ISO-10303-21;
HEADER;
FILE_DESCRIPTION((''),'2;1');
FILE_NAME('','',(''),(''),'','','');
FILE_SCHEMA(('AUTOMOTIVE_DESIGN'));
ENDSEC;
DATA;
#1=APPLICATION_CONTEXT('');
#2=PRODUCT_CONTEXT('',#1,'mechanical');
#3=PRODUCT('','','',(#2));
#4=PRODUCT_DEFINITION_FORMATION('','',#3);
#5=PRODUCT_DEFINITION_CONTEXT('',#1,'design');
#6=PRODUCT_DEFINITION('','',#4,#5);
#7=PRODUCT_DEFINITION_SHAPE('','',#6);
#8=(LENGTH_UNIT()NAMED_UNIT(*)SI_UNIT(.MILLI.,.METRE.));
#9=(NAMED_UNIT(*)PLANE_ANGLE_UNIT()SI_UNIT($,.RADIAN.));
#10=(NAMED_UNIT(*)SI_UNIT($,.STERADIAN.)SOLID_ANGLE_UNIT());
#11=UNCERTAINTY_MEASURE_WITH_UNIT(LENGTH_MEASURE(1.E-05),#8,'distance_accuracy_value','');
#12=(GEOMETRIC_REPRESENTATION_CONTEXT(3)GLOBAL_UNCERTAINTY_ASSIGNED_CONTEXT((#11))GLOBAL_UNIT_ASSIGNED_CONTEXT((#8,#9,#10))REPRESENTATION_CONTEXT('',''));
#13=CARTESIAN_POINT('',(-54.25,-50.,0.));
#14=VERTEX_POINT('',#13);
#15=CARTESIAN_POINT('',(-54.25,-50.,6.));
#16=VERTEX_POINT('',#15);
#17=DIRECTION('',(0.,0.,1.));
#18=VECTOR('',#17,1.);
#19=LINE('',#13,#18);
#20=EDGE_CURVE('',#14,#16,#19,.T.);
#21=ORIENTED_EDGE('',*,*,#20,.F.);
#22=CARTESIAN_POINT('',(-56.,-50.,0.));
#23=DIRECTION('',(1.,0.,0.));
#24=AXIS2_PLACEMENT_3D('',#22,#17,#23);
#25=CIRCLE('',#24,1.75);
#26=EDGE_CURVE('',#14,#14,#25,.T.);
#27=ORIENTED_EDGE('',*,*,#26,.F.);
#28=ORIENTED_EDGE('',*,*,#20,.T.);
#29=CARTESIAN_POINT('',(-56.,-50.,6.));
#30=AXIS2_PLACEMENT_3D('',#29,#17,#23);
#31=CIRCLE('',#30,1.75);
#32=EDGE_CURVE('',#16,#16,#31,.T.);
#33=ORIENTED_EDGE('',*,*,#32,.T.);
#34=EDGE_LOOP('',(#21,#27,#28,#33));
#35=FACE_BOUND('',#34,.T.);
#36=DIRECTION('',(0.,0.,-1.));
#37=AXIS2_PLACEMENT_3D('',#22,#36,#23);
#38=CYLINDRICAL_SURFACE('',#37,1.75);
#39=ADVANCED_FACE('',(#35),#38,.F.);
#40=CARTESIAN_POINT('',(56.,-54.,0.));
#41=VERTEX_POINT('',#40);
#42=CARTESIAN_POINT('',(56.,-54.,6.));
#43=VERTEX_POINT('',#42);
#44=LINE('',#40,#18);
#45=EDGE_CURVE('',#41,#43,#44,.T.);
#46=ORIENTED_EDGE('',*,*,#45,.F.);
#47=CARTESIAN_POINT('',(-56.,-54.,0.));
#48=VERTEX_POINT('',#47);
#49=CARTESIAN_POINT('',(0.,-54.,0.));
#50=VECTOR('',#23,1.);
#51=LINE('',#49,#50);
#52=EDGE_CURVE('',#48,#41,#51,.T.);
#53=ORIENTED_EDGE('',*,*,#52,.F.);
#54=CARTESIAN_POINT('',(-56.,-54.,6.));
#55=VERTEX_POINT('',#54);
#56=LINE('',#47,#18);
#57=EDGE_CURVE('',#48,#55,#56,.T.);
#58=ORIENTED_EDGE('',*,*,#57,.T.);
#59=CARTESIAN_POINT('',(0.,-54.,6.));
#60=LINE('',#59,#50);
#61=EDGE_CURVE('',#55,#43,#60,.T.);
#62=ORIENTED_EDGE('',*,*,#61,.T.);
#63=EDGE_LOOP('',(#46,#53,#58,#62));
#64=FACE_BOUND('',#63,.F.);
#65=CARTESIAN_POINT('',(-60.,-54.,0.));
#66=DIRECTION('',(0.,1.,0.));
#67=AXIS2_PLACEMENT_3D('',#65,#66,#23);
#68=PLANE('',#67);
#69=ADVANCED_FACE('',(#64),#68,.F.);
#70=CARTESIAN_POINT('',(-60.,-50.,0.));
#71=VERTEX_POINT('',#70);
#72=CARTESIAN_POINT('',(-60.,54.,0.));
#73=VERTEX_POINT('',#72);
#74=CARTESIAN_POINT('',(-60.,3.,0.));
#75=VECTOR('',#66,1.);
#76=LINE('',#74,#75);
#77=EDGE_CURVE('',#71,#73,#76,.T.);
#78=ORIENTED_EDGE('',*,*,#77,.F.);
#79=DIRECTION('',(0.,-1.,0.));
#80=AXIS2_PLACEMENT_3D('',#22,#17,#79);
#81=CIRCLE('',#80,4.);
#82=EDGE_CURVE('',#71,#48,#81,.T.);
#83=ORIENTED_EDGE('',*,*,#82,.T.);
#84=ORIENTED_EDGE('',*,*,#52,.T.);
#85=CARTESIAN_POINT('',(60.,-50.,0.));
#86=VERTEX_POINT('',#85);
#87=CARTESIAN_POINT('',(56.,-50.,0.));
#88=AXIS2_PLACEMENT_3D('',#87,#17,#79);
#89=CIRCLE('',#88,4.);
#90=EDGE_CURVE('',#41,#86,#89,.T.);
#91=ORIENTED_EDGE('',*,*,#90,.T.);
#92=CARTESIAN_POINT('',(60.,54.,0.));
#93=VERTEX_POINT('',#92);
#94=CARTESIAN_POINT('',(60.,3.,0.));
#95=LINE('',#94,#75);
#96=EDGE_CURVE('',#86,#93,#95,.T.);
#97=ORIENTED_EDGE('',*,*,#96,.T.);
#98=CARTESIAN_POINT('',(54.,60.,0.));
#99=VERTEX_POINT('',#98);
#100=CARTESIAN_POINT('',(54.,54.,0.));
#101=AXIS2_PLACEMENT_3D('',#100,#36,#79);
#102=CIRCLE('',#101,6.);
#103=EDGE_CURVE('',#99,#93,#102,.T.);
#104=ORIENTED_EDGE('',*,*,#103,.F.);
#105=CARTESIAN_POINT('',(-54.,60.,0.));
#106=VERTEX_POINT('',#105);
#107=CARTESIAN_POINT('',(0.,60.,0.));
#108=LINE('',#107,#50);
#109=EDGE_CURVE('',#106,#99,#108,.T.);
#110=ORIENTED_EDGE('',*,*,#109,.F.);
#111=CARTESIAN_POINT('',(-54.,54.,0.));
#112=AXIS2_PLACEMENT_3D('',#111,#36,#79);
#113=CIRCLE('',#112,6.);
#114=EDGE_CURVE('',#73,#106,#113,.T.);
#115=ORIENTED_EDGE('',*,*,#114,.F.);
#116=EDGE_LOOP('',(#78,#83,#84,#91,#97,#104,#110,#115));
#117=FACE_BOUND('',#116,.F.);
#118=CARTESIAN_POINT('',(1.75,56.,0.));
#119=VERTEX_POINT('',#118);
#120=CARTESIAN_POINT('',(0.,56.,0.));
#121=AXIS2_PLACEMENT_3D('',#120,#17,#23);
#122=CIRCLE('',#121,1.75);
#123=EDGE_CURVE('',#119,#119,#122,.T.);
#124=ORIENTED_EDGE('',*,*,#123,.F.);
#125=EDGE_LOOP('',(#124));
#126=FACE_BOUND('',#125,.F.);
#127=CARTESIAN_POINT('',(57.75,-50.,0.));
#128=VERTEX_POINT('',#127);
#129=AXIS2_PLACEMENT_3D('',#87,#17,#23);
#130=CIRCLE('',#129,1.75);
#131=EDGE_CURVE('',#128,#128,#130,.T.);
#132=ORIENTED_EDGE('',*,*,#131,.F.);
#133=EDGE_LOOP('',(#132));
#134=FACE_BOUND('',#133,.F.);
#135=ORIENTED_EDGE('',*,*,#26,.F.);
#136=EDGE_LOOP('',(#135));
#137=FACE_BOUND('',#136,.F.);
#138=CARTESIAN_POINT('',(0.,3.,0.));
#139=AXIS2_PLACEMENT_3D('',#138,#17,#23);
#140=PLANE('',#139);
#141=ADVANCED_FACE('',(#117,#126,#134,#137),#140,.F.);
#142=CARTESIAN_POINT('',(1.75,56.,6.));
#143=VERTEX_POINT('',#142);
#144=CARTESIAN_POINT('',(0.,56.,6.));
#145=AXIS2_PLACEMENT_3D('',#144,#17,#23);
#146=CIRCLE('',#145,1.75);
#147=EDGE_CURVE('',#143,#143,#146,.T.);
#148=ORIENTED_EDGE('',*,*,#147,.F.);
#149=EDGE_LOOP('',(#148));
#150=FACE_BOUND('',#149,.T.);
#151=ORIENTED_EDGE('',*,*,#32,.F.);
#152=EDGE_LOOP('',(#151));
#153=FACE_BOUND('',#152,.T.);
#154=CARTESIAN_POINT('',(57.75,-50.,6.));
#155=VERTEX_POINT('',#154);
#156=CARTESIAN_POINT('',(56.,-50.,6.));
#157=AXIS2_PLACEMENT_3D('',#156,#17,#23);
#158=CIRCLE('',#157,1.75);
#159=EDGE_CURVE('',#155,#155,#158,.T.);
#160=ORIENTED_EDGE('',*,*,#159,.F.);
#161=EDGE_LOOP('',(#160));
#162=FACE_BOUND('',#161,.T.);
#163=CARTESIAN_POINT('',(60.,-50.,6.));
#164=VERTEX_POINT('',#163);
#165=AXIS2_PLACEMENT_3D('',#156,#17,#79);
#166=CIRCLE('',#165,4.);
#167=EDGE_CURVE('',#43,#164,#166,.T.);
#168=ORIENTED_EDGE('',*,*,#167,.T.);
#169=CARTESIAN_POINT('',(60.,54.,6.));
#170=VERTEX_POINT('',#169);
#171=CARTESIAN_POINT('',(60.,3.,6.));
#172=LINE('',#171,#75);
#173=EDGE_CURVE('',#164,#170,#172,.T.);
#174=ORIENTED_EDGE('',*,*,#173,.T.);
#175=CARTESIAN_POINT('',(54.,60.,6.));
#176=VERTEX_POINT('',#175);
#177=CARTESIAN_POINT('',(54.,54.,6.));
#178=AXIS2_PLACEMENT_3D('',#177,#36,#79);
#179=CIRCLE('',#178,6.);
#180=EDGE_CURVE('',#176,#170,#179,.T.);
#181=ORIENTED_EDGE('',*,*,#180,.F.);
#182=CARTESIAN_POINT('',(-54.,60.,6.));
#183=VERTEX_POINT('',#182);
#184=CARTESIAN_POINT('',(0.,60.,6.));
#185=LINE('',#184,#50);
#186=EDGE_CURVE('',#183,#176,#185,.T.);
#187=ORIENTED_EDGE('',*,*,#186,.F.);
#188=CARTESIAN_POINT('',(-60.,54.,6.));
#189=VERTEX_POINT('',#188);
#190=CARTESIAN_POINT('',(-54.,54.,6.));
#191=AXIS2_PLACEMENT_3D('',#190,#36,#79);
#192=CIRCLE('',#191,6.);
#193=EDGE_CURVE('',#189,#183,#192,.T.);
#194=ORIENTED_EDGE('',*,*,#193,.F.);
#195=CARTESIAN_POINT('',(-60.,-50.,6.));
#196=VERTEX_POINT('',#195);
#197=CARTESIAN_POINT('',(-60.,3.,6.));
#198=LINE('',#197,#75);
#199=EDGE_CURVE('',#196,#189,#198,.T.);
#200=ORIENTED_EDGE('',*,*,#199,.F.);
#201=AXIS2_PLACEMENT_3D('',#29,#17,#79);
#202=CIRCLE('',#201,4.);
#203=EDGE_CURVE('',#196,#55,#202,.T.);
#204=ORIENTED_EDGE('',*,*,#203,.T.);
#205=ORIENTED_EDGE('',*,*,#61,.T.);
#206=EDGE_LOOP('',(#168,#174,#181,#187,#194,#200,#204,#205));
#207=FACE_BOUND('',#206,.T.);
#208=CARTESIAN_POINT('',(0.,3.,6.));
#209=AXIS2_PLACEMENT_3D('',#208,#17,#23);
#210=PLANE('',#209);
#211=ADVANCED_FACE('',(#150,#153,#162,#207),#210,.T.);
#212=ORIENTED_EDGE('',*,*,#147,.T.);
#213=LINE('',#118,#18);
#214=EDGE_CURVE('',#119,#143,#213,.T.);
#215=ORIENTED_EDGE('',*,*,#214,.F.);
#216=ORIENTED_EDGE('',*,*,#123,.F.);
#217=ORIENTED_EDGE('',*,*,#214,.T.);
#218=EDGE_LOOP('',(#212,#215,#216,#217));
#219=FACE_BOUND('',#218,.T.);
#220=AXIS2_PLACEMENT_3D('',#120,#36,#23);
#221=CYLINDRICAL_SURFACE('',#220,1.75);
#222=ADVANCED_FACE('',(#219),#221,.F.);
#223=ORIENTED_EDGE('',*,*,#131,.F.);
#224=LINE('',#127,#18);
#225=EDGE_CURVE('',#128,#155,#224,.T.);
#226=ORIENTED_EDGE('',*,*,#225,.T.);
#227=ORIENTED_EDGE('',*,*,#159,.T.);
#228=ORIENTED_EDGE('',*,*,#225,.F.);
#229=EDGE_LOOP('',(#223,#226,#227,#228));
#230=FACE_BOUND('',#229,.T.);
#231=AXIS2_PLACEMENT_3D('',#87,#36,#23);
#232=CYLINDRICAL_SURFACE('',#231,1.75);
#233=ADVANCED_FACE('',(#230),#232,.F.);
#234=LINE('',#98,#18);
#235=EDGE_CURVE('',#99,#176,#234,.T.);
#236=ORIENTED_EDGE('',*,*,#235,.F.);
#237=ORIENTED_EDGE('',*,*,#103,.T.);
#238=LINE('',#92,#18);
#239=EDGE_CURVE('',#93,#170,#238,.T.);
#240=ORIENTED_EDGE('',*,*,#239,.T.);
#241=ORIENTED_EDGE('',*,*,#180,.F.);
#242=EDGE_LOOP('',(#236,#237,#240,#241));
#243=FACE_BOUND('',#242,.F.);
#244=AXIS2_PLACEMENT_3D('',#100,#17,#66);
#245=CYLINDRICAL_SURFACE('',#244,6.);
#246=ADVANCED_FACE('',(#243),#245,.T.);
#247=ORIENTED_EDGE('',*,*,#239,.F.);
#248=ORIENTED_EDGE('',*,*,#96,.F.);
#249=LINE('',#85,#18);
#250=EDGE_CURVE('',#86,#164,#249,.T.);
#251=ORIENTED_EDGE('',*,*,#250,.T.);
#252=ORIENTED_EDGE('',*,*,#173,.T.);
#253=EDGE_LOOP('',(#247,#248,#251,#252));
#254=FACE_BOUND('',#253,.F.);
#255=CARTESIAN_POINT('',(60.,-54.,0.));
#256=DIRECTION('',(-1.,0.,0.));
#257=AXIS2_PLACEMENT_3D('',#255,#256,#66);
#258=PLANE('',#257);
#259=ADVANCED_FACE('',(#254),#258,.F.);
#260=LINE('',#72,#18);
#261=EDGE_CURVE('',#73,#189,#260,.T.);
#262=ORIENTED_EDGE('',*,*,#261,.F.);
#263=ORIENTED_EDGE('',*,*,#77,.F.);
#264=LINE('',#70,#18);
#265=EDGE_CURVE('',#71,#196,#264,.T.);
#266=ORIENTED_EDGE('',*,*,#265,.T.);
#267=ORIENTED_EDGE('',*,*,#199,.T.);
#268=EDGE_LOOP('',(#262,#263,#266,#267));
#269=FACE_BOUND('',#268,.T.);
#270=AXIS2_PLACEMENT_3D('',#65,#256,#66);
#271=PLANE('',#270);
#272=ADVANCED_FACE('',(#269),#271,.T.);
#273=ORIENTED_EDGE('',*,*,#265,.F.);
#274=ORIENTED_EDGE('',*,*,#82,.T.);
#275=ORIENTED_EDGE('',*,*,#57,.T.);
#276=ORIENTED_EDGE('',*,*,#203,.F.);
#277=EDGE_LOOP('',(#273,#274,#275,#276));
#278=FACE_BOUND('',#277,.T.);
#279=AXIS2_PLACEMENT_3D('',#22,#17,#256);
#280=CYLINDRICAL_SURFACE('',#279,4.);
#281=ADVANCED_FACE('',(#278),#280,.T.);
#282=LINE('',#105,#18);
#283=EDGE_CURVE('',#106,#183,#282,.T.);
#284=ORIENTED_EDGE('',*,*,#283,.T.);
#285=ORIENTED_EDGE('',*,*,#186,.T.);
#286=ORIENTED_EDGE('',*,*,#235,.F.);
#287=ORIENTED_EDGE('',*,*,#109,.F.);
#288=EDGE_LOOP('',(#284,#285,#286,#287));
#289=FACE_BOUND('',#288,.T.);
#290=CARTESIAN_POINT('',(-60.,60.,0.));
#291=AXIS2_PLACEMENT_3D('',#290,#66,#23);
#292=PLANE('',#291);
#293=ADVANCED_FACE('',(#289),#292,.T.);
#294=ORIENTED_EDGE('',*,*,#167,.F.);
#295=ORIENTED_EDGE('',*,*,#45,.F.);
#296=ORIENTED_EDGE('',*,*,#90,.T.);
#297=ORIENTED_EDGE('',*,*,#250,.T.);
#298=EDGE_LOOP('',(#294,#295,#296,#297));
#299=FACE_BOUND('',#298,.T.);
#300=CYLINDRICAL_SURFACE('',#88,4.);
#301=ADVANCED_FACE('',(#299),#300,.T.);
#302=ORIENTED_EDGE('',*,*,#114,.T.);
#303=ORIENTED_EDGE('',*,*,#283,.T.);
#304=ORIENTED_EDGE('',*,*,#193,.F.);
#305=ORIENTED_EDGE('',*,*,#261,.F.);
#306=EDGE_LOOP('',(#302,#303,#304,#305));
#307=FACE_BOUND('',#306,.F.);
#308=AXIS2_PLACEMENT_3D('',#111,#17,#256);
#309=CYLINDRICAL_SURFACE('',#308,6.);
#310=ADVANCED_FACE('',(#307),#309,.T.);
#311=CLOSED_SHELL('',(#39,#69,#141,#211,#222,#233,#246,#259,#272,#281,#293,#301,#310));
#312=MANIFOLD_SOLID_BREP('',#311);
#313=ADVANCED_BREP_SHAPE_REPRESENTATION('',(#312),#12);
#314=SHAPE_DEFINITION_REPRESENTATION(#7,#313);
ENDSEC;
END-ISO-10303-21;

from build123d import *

# Parameters (mm, degrees)
F0_W     = 120
F0_H     = 114
F0_R     = 1.75
F1_DEPTH = 6
F2_R     = 6
F3_R     = 4


with BuildPart() as f1:
    # F0 (on Top) → F1 (new body)
    with BuildSketch(Plane.XY):
        with Locations((0, 3)):
            Rectangle(F0_W, F0_H)
        with Locations((-56, -50)):
            Circle(F0_R, mode=Mode.SUBTRACT)
        with Locations((56, -50)):
            Circle(F0_R, mode=Mode.SUBTRACT)
        with Locations((0, 56)):
            Circle(F0_R, mode=Mode.SUBTRACT)
    extrude(amount=F1_DEPTH)

    # F2
    f2_edges = [f1.edges().sort_by_distance(p)[0] for p in [
        (-60, 60, 3),
        (60, 60, 3),
    ]]
    fillet(f2_edges, radius=F2_R)

    # F3
    f3_edges = [f1.edges().sort_by_distance(p)[0] for p in [
        (-60, -54, 3),
        (60, -54, 3),
    ]]
    fillet(f3_edges, radius=F3_R)


solid = f1.part
